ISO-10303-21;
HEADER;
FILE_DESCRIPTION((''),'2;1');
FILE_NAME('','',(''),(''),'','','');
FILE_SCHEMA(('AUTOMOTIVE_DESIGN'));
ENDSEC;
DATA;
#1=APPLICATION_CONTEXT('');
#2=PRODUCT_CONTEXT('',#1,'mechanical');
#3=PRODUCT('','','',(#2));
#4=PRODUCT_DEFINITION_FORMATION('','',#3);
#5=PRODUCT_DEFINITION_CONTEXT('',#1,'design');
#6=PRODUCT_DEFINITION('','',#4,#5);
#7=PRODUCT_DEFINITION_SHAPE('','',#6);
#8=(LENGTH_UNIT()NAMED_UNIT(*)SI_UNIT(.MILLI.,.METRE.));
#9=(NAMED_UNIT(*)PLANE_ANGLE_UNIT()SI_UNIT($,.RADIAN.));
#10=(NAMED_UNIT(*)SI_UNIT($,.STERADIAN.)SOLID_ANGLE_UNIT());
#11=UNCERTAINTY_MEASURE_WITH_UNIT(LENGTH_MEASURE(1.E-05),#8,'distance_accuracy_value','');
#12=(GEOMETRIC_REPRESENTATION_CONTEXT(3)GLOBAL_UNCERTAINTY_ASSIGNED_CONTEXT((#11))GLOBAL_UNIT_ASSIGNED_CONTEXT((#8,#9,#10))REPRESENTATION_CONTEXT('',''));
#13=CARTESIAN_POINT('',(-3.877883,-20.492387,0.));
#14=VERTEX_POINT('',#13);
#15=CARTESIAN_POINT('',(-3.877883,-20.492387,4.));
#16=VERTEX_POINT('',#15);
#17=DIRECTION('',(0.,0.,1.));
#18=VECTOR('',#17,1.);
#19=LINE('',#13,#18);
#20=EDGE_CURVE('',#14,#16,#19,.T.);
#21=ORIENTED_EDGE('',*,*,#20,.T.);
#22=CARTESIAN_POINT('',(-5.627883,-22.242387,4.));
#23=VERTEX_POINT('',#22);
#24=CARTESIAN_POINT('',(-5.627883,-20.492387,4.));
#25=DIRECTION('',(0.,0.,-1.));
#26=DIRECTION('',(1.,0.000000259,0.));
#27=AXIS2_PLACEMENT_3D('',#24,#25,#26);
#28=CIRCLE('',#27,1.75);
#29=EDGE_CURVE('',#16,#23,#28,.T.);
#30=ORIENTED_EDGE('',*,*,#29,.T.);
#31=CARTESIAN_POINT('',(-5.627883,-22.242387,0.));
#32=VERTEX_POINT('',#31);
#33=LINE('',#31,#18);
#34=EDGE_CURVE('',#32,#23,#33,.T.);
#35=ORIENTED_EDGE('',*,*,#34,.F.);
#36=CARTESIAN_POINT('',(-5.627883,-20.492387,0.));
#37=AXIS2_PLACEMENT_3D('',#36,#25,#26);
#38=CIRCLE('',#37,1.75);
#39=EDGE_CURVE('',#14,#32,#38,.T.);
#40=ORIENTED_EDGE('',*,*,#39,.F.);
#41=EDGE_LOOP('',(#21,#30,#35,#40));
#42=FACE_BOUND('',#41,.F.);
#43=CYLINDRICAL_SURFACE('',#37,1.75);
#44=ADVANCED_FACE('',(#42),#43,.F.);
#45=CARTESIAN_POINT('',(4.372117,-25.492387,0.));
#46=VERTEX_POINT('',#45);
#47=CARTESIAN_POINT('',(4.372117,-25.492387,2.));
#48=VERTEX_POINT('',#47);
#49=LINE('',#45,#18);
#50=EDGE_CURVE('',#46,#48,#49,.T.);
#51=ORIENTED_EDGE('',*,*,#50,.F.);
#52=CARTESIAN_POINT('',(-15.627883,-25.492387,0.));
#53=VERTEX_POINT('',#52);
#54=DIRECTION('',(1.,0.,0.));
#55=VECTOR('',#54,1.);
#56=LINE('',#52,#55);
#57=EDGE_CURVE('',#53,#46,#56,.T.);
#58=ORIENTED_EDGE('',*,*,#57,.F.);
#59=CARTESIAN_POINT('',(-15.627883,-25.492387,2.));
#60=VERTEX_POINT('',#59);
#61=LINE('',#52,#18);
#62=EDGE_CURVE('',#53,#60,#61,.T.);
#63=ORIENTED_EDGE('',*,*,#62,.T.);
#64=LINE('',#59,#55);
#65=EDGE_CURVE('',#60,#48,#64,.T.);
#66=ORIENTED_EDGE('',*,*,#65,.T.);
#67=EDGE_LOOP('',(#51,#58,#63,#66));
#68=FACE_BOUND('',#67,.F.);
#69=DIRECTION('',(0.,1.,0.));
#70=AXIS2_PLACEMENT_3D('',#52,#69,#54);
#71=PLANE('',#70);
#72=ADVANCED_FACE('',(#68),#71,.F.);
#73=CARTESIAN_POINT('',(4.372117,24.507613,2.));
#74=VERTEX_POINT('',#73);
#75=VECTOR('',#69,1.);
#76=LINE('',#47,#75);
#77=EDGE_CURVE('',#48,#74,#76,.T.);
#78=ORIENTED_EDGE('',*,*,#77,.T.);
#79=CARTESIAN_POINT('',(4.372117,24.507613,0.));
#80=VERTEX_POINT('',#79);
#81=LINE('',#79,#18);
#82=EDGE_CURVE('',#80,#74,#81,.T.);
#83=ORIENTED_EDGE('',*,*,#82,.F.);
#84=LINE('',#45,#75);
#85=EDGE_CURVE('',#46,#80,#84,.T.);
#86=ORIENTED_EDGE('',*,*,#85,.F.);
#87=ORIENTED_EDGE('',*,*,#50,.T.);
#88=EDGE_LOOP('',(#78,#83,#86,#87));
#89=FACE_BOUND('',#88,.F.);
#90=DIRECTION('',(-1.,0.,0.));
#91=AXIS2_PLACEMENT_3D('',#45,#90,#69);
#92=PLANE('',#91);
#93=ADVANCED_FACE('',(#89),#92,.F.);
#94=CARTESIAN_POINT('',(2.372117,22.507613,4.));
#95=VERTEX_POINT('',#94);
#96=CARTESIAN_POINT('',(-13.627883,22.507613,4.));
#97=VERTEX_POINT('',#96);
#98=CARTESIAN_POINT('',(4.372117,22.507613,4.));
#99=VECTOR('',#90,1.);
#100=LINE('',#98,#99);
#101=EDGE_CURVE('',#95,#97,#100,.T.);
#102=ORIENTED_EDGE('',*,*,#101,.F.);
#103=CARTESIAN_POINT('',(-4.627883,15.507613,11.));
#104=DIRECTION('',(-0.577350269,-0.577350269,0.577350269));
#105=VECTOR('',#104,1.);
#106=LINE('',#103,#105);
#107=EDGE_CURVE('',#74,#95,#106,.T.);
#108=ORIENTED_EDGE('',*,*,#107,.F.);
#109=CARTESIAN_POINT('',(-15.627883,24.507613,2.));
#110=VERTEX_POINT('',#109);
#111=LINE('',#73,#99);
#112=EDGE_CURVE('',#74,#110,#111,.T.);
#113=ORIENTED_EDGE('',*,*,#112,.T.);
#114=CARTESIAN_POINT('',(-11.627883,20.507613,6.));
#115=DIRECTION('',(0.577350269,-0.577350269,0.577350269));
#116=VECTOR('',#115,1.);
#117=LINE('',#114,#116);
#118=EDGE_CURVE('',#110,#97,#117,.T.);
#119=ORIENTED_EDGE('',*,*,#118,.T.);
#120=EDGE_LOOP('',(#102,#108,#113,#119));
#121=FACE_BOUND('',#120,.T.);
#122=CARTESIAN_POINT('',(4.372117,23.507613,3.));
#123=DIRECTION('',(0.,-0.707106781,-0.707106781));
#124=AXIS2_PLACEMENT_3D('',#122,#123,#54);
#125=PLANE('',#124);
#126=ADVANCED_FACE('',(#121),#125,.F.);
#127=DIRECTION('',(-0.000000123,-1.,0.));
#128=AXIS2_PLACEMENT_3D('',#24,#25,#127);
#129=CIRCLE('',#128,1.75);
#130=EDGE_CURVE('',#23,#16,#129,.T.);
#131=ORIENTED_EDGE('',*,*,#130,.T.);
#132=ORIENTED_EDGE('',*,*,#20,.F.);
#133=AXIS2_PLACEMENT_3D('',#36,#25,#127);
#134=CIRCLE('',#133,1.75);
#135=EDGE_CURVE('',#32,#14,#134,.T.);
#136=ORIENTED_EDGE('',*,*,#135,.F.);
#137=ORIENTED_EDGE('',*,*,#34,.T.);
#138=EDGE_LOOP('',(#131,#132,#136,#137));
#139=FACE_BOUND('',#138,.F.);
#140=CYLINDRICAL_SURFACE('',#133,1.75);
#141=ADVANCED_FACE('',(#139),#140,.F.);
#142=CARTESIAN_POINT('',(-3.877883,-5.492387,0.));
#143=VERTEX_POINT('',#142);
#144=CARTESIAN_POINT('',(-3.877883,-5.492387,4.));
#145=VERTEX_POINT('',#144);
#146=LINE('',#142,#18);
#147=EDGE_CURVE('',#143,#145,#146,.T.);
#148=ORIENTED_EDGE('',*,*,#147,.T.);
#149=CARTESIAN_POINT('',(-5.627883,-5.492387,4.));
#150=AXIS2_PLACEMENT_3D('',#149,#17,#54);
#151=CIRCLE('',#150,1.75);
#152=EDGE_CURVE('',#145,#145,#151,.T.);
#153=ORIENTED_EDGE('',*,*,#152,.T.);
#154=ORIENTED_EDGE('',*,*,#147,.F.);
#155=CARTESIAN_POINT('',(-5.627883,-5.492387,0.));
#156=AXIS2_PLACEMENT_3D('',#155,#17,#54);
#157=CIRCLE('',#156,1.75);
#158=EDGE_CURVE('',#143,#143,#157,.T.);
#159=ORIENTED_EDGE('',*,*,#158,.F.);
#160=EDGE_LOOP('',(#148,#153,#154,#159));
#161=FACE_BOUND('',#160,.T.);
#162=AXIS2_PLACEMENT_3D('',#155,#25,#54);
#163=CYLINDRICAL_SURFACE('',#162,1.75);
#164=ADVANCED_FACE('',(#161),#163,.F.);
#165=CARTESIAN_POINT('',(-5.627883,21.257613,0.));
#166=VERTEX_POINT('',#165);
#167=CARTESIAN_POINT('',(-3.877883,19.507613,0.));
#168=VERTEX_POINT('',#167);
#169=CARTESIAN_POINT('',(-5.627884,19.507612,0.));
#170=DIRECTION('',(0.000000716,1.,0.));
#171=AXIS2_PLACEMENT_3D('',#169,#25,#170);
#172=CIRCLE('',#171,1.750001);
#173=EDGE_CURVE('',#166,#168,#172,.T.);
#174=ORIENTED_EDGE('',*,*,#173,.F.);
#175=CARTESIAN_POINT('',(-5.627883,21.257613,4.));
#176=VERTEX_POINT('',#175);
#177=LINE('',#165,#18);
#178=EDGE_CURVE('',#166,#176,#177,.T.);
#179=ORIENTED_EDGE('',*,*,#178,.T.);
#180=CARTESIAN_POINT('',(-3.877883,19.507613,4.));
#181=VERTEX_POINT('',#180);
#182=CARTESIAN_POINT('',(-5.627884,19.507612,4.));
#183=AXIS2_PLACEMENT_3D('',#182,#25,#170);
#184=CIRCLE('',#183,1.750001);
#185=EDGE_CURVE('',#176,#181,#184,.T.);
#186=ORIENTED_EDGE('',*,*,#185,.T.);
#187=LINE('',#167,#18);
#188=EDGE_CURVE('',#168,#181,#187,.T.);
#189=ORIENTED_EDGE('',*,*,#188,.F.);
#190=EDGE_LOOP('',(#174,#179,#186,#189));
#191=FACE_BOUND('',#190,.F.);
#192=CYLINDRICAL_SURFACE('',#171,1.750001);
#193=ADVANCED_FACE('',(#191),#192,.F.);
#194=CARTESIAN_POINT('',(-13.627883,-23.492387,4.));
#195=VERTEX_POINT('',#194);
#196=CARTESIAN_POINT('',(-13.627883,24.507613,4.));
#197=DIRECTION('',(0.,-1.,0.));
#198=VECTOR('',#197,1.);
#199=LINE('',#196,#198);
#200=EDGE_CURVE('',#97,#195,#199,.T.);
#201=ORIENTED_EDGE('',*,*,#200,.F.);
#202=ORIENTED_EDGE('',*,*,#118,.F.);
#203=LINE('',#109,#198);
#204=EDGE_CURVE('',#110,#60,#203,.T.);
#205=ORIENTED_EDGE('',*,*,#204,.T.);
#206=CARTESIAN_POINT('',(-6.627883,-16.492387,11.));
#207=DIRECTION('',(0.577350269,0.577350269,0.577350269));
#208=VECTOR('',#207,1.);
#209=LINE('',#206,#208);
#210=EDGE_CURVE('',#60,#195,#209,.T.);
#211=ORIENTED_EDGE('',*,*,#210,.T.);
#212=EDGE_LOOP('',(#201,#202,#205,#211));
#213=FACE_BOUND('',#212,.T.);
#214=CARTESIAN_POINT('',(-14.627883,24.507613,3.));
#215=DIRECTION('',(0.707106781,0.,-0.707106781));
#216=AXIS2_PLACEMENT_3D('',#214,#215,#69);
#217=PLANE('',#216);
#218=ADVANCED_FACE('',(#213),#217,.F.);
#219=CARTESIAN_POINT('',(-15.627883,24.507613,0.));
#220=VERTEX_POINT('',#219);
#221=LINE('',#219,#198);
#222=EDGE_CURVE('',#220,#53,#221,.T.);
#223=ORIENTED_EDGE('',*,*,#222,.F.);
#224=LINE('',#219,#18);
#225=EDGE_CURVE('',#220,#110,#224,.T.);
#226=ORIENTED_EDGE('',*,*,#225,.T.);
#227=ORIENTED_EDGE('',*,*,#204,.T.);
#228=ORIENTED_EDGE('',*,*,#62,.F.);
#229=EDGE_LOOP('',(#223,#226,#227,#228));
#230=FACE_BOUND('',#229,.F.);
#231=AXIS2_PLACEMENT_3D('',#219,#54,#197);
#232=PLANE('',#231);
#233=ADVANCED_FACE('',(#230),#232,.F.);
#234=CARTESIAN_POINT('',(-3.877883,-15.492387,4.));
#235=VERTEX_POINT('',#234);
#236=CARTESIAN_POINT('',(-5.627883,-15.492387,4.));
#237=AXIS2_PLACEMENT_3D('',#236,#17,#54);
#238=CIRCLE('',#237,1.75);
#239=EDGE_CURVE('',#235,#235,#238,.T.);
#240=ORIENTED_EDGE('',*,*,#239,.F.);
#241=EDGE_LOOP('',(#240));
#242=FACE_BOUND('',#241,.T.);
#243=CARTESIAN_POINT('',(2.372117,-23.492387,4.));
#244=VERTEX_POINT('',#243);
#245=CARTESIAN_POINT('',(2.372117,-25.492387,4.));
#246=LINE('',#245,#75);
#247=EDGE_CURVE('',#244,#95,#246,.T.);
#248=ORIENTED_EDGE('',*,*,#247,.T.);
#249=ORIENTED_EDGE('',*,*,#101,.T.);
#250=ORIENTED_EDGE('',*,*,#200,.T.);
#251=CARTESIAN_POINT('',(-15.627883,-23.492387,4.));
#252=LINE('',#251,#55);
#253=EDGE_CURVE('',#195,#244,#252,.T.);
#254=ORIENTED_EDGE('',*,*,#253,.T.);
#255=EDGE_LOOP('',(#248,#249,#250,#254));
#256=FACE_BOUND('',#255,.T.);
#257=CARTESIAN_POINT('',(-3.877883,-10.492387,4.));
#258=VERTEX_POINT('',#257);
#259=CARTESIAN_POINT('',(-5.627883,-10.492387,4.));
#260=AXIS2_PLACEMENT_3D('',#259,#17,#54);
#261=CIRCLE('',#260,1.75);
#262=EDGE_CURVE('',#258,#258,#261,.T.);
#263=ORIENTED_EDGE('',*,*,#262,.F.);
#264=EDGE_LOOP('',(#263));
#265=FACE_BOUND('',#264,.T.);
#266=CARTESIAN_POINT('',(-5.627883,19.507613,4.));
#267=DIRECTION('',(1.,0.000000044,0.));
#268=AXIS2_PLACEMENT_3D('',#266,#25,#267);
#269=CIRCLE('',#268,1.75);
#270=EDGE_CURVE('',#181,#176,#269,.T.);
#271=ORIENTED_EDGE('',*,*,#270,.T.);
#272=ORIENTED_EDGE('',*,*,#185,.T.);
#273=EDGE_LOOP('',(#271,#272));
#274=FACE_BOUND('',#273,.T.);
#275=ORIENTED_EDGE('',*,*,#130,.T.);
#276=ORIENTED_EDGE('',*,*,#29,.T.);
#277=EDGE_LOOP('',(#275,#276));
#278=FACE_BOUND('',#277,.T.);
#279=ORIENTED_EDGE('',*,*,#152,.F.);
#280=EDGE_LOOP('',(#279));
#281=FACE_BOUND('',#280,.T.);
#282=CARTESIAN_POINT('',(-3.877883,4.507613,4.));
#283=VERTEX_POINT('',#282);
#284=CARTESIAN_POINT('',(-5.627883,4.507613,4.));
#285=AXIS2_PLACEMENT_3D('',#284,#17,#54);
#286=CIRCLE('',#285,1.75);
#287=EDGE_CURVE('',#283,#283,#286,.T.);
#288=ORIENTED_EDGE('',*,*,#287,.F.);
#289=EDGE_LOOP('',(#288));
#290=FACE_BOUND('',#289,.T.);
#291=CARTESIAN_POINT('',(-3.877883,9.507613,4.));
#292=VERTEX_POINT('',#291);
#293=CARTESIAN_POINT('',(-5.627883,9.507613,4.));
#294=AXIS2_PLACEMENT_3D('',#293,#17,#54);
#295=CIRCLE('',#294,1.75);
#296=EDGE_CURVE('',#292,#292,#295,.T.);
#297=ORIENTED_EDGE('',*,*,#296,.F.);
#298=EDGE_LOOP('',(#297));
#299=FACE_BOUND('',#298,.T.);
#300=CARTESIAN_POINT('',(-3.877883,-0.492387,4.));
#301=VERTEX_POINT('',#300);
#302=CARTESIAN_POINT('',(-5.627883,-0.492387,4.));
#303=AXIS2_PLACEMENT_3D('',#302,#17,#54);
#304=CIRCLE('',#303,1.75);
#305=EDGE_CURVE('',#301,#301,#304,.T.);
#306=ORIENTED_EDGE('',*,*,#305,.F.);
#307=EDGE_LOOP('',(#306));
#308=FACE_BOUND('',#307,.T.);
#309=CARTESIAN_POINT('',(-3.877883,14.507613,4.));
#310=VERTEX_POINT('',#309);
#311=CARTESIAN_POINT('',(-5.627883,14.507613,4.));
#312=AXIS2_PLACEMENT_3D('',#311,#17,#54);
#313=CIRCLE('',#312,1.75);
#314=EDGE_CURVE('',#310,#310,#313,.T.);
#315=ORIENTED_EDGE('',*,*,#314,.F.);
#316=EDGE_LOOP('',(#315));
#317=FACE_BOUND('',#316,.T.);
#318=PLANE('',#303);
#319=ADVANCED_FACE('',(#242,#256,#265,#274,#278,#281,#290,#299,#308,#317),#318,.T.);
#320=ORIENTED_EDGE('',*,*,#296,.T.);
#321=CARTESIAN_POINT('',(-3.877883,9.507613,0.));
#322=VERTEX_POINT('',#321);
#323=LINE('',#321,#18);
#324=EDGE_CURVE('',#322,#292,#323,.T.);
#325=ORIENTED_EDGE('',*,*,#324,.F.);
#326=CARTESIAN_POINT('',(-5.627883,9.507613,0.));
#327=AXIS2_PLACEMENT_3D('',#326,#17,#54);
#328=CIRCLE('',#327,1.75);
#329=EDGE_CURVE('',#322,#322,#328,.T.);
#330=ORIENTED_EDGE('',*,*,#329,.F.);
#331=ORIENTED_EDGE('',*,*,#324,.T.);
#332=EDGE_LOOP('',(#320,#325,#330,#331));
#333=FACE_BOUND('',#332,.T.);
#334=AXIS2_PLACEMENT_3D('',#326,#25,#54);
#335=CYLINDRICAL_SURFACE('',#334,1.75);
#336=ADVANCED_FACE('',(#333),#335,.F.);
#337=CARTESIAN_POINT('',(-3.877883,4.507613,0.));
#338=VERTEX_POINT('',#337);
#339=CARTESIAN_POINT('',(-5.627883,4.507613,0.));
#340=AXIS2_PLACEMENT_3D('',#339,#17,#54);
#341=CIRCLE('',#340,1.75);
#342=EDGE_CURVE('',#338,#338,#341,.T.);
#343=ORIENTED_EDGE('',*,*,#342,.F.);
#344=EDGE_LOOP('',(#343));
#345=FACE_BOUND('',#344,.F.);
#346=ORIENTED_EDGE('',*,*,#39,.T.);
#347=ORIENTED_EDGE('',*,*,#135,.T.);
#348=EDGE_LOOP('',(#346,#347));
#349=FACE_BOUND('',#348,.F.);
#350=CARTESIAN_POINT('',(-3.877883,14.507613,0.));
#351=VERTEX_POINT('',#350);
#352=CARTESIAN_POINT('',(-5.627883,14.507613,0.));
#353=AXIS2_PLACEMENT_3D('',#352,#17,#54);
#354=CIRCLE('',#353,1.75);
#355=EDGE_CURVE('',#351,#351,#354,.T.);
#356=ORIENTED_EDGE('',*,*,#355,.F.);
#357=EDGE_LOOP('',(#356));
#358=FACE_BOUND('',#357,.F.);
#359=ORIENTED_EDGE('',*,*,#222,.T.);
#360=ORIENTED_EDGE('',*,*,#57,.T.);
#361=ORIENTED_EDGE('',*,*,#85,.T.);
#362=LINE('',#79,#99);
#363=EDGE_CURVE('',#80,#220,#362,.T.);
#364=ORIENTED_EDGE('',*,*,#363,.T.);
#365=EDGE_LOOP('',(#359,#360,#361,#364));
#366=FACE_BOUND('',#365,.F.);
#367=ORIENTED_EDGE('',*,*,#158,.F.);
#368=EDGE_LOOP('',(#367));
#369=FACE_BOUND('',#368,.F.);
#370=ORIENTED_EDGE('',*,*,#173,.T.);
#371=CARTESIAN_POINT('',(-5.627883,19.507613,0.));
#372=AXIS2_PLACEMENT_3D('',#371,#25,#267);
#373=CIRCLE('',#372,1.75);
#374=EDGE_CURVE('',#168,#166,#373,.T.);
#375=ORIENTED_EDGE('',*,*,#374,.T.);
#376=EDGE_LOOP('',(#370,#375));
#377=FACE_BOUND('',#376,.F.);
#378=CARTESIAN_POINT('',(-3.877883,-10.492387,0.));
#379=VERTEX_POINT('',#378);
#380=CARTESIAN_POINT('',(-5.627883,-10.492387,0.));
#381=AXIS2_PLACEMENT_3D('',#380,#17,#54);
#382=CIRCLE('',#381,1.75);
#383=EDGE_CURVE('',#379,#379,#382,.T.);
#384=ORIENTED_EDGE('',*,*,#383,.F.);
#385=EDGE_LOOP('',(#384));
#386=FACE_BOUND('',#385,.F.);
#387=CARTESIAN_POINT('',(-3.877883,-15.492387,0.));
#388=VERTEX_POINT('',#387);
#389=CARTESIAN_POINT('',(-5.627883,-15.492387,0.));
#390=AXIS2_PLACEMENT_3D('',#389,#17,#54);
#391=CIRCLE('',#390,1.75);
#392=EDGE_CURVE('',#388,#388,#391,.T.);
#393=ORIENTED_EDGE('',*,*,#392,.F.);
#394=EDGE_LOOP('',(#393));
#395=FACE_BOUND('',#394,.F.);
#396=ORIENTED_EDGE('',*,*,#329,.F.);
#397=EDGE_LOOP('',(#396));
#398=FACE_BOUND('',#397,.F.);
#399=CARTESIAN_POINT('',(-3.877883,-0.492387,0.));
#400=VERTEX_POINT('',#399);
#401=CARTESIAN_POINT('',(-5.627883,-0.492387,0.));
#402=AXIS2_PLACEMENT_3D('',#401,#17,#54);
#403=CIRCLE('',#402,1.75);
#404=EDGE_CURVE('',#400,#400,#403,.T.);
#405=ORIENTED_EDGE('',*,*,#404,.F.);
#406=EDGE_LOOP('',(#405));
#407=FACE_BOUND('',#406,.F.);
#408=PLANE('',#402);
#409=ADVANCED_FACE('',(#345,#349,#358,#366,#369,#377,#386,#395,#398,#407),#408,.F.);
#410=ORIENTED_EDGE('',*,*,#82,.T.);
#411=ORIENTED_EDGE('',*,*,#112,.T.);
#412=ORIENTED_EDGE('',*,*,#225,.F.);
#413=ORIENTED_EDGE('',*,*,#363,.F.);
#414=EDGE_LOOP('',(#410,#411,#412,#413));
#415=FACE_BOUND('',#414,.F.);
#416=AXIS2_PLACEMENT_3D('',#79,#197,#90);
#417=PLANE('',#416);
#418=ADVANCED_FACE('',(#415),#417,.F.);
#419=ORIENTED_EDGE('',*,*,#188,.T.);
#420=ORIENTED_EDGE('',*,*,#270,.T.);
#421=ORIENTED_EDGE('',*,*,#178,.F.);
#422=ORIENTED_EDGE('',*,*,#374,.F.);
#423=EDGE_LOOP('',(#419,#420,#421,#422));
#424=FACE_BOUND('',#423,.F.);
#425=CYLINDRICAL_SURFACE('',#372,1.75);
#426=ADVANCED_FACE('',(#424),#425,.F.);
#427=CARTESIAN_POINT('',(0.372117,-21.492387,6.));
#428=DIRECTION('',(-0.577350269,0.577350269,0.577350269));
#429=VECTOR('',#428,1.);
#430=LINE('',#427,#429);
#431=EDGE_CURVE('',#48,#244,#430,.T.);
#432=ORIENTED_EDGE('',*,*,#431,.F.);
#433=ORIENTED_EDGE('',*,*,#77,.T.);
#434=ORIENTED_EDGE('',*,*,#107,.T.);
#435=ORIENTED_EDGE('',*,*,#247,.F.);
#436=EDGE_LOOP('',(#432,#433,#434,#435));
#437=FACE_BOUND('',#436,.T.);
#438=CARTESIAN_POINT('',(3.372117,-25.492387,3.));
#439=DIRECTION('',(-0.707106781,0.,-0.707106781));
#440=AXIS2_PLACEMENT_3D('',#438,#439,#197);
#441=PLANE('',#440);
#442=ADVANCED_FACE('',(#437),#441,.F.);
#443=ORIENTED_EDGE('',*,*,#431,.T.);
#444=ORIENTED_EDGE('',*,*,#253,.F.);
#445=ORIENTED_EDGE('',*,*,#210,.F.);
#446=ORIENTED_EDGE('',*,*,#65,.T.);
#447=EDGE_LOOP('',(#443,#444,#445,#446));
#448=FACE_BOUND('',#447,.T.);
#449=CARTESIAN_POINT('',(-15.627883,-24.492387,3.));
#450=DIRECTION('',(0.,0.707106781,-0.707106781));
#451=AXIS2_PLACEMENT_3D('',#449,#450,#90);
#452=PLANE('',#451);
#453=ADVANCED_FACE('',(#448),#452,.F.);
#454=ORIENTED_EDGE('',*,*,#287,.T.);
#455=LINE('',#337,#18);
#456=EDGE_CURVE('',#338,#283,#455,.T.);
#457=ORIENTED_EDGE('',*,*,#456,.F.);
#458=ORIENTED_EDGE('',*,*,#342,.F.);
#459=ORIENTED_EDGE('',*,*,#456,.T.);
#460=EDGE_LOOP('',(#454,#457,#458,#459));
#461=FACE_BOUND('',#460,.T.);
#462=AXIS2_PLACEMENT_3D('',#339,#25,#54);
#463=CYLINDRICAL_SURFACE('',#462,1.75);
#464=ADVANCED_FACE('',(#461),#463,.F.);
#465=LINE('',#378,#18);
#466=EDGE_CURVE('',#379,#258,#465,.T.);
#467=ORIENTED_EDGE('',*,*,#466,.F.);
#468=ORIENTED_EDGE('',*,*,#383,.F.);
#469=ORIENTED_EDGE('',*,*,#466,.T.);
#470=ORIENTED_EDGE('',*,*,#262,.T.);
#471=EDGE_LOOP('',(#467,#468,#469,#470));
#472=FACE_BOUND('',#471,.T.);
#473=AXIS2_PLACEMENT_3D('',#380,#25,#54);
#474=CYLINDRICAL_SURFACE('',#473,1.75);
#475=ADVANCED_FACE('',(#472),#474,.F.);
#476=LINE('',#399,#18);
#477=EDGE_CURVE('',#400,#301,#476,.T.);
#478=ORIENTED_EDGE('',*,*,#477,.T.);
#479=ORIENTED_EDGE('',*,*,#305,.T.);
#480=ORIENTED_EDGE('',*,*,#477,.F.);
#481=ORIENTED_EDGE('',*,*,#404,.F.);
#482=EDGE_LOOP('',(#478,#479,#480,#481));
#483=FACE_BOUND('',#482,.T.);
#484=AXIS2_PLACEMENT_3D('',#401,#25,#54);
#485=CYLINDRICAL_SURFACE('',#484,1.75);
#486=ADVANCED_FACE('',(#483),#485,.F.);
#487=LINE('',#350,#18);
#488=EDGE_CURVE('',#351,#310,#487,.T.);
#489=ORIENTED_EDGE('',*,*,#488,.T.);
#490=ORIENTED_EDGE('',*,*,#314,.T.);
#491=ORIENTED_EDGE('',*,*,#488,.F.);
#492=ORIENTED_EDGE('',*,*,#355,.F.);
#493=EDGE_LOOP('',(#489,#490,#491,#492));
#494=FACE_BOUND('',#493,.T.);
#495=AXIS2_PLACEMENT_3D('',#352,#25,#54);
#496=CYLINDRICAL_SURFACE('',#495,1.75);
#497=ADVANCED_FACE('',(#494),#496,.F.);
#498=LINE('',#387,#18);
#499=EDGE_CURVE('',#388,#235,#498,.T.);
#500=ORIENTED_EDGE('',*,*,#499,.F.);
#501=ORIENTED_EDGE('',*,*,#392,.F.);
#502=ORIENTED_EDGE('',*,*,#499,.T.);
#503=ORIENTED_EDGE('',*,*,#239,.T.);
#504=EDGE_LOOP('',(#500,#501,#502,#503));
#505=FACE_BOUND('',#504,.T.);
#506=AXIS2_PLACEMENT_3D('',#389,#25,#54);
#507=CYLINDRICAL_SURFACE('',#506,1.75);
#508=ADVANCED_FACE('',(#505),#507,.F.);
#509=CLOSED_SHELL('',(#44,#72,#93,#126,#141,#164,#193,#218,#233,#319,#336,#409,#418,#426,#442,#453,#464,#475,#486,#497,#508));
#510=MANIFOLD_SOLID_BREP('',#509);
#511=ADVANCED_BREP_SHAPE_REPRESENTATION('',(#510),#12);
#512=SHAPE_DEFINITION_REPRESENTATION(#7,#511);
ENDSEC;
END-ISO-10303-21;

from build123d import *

# Parameters (mm, degrees)
F0_R     = 1.75
F1_DEPTH = 4
F2_SIZE  = 2


with BuildPart() as f1:
    # F0 (on Top) → F1 (new body)
    with BuildSketch(Plane.XY):
        Polygon((-5.627883, 24.507613), (-15.627883, 24.507613), (-15.627883, -25.492387), (-5.627883, -25.492387), (4.372117, -25.492387), (4.372117, 24.507613), align=None)
        with BuildLine():
            ThreePointArc((-3.877883, -20.492387), (-4.390446, -21.729824), (-5.627883, -22.242387))
            ThreePointArc((-5.627883, -22.242387), (-6.86532, -19.254951), (-3.877883, -20.492387))
        make_face(mode=Mode.SUBTRACT)
        with Locations((-5.627883, -15.492387)):
            Circle(F0_R, mode=Mode.SUBTRACT)
        with Locations((-5.627883, -10.492387)):
            Circle(F0_R, mode=Mode.SUBTRACT)
        with Locations((-5.627883, -5.492387)):
            Circle(F0_R, mode=Mode.SUBTRACT)
        with Locations((-5.627883, -0.492387)):
            Circle(F0_R, mode=Mode.SUBTRACT)
        with Locations((-5.627883, 4.507613)):
            Circle(F0_R, mode=Mode.SUBTRACT)
        with Locations((-5.627883, 9.507613)):
            Circle(F0_R, mode=Mode.SUBTRACT)
        with Locations((-5.627883, 14.507613)):
            Circle(F0_R, mode=Mode.SUBTRACT)
        with BuildLine():
            ThreePointArc((-3.877883, 19.507613), (-6.86532, 18.270176), (-5.627883, 21.257613))
            ThreePointArc((-5.627883, 21.257613), (-4.390446, 20.745049), (-3.877883, 19.507613))
        make_face(mode=Mode.SUBTRACT)
    extrude(amount=F1_DEPTH)

    # F2
    f2_edges = [f1.edges().sort_by_distance(p)[0] for p in [
        (-15.627883, -0.492387, 4),
        (-5.627883, -25.492387, 4),
        (4.372117, -0.492387, 4),
        (-5.627883, 24.507613, 4),
    ]]
    chamfer(f2_edges, length=F2_SIZE)


solid = f1.part
